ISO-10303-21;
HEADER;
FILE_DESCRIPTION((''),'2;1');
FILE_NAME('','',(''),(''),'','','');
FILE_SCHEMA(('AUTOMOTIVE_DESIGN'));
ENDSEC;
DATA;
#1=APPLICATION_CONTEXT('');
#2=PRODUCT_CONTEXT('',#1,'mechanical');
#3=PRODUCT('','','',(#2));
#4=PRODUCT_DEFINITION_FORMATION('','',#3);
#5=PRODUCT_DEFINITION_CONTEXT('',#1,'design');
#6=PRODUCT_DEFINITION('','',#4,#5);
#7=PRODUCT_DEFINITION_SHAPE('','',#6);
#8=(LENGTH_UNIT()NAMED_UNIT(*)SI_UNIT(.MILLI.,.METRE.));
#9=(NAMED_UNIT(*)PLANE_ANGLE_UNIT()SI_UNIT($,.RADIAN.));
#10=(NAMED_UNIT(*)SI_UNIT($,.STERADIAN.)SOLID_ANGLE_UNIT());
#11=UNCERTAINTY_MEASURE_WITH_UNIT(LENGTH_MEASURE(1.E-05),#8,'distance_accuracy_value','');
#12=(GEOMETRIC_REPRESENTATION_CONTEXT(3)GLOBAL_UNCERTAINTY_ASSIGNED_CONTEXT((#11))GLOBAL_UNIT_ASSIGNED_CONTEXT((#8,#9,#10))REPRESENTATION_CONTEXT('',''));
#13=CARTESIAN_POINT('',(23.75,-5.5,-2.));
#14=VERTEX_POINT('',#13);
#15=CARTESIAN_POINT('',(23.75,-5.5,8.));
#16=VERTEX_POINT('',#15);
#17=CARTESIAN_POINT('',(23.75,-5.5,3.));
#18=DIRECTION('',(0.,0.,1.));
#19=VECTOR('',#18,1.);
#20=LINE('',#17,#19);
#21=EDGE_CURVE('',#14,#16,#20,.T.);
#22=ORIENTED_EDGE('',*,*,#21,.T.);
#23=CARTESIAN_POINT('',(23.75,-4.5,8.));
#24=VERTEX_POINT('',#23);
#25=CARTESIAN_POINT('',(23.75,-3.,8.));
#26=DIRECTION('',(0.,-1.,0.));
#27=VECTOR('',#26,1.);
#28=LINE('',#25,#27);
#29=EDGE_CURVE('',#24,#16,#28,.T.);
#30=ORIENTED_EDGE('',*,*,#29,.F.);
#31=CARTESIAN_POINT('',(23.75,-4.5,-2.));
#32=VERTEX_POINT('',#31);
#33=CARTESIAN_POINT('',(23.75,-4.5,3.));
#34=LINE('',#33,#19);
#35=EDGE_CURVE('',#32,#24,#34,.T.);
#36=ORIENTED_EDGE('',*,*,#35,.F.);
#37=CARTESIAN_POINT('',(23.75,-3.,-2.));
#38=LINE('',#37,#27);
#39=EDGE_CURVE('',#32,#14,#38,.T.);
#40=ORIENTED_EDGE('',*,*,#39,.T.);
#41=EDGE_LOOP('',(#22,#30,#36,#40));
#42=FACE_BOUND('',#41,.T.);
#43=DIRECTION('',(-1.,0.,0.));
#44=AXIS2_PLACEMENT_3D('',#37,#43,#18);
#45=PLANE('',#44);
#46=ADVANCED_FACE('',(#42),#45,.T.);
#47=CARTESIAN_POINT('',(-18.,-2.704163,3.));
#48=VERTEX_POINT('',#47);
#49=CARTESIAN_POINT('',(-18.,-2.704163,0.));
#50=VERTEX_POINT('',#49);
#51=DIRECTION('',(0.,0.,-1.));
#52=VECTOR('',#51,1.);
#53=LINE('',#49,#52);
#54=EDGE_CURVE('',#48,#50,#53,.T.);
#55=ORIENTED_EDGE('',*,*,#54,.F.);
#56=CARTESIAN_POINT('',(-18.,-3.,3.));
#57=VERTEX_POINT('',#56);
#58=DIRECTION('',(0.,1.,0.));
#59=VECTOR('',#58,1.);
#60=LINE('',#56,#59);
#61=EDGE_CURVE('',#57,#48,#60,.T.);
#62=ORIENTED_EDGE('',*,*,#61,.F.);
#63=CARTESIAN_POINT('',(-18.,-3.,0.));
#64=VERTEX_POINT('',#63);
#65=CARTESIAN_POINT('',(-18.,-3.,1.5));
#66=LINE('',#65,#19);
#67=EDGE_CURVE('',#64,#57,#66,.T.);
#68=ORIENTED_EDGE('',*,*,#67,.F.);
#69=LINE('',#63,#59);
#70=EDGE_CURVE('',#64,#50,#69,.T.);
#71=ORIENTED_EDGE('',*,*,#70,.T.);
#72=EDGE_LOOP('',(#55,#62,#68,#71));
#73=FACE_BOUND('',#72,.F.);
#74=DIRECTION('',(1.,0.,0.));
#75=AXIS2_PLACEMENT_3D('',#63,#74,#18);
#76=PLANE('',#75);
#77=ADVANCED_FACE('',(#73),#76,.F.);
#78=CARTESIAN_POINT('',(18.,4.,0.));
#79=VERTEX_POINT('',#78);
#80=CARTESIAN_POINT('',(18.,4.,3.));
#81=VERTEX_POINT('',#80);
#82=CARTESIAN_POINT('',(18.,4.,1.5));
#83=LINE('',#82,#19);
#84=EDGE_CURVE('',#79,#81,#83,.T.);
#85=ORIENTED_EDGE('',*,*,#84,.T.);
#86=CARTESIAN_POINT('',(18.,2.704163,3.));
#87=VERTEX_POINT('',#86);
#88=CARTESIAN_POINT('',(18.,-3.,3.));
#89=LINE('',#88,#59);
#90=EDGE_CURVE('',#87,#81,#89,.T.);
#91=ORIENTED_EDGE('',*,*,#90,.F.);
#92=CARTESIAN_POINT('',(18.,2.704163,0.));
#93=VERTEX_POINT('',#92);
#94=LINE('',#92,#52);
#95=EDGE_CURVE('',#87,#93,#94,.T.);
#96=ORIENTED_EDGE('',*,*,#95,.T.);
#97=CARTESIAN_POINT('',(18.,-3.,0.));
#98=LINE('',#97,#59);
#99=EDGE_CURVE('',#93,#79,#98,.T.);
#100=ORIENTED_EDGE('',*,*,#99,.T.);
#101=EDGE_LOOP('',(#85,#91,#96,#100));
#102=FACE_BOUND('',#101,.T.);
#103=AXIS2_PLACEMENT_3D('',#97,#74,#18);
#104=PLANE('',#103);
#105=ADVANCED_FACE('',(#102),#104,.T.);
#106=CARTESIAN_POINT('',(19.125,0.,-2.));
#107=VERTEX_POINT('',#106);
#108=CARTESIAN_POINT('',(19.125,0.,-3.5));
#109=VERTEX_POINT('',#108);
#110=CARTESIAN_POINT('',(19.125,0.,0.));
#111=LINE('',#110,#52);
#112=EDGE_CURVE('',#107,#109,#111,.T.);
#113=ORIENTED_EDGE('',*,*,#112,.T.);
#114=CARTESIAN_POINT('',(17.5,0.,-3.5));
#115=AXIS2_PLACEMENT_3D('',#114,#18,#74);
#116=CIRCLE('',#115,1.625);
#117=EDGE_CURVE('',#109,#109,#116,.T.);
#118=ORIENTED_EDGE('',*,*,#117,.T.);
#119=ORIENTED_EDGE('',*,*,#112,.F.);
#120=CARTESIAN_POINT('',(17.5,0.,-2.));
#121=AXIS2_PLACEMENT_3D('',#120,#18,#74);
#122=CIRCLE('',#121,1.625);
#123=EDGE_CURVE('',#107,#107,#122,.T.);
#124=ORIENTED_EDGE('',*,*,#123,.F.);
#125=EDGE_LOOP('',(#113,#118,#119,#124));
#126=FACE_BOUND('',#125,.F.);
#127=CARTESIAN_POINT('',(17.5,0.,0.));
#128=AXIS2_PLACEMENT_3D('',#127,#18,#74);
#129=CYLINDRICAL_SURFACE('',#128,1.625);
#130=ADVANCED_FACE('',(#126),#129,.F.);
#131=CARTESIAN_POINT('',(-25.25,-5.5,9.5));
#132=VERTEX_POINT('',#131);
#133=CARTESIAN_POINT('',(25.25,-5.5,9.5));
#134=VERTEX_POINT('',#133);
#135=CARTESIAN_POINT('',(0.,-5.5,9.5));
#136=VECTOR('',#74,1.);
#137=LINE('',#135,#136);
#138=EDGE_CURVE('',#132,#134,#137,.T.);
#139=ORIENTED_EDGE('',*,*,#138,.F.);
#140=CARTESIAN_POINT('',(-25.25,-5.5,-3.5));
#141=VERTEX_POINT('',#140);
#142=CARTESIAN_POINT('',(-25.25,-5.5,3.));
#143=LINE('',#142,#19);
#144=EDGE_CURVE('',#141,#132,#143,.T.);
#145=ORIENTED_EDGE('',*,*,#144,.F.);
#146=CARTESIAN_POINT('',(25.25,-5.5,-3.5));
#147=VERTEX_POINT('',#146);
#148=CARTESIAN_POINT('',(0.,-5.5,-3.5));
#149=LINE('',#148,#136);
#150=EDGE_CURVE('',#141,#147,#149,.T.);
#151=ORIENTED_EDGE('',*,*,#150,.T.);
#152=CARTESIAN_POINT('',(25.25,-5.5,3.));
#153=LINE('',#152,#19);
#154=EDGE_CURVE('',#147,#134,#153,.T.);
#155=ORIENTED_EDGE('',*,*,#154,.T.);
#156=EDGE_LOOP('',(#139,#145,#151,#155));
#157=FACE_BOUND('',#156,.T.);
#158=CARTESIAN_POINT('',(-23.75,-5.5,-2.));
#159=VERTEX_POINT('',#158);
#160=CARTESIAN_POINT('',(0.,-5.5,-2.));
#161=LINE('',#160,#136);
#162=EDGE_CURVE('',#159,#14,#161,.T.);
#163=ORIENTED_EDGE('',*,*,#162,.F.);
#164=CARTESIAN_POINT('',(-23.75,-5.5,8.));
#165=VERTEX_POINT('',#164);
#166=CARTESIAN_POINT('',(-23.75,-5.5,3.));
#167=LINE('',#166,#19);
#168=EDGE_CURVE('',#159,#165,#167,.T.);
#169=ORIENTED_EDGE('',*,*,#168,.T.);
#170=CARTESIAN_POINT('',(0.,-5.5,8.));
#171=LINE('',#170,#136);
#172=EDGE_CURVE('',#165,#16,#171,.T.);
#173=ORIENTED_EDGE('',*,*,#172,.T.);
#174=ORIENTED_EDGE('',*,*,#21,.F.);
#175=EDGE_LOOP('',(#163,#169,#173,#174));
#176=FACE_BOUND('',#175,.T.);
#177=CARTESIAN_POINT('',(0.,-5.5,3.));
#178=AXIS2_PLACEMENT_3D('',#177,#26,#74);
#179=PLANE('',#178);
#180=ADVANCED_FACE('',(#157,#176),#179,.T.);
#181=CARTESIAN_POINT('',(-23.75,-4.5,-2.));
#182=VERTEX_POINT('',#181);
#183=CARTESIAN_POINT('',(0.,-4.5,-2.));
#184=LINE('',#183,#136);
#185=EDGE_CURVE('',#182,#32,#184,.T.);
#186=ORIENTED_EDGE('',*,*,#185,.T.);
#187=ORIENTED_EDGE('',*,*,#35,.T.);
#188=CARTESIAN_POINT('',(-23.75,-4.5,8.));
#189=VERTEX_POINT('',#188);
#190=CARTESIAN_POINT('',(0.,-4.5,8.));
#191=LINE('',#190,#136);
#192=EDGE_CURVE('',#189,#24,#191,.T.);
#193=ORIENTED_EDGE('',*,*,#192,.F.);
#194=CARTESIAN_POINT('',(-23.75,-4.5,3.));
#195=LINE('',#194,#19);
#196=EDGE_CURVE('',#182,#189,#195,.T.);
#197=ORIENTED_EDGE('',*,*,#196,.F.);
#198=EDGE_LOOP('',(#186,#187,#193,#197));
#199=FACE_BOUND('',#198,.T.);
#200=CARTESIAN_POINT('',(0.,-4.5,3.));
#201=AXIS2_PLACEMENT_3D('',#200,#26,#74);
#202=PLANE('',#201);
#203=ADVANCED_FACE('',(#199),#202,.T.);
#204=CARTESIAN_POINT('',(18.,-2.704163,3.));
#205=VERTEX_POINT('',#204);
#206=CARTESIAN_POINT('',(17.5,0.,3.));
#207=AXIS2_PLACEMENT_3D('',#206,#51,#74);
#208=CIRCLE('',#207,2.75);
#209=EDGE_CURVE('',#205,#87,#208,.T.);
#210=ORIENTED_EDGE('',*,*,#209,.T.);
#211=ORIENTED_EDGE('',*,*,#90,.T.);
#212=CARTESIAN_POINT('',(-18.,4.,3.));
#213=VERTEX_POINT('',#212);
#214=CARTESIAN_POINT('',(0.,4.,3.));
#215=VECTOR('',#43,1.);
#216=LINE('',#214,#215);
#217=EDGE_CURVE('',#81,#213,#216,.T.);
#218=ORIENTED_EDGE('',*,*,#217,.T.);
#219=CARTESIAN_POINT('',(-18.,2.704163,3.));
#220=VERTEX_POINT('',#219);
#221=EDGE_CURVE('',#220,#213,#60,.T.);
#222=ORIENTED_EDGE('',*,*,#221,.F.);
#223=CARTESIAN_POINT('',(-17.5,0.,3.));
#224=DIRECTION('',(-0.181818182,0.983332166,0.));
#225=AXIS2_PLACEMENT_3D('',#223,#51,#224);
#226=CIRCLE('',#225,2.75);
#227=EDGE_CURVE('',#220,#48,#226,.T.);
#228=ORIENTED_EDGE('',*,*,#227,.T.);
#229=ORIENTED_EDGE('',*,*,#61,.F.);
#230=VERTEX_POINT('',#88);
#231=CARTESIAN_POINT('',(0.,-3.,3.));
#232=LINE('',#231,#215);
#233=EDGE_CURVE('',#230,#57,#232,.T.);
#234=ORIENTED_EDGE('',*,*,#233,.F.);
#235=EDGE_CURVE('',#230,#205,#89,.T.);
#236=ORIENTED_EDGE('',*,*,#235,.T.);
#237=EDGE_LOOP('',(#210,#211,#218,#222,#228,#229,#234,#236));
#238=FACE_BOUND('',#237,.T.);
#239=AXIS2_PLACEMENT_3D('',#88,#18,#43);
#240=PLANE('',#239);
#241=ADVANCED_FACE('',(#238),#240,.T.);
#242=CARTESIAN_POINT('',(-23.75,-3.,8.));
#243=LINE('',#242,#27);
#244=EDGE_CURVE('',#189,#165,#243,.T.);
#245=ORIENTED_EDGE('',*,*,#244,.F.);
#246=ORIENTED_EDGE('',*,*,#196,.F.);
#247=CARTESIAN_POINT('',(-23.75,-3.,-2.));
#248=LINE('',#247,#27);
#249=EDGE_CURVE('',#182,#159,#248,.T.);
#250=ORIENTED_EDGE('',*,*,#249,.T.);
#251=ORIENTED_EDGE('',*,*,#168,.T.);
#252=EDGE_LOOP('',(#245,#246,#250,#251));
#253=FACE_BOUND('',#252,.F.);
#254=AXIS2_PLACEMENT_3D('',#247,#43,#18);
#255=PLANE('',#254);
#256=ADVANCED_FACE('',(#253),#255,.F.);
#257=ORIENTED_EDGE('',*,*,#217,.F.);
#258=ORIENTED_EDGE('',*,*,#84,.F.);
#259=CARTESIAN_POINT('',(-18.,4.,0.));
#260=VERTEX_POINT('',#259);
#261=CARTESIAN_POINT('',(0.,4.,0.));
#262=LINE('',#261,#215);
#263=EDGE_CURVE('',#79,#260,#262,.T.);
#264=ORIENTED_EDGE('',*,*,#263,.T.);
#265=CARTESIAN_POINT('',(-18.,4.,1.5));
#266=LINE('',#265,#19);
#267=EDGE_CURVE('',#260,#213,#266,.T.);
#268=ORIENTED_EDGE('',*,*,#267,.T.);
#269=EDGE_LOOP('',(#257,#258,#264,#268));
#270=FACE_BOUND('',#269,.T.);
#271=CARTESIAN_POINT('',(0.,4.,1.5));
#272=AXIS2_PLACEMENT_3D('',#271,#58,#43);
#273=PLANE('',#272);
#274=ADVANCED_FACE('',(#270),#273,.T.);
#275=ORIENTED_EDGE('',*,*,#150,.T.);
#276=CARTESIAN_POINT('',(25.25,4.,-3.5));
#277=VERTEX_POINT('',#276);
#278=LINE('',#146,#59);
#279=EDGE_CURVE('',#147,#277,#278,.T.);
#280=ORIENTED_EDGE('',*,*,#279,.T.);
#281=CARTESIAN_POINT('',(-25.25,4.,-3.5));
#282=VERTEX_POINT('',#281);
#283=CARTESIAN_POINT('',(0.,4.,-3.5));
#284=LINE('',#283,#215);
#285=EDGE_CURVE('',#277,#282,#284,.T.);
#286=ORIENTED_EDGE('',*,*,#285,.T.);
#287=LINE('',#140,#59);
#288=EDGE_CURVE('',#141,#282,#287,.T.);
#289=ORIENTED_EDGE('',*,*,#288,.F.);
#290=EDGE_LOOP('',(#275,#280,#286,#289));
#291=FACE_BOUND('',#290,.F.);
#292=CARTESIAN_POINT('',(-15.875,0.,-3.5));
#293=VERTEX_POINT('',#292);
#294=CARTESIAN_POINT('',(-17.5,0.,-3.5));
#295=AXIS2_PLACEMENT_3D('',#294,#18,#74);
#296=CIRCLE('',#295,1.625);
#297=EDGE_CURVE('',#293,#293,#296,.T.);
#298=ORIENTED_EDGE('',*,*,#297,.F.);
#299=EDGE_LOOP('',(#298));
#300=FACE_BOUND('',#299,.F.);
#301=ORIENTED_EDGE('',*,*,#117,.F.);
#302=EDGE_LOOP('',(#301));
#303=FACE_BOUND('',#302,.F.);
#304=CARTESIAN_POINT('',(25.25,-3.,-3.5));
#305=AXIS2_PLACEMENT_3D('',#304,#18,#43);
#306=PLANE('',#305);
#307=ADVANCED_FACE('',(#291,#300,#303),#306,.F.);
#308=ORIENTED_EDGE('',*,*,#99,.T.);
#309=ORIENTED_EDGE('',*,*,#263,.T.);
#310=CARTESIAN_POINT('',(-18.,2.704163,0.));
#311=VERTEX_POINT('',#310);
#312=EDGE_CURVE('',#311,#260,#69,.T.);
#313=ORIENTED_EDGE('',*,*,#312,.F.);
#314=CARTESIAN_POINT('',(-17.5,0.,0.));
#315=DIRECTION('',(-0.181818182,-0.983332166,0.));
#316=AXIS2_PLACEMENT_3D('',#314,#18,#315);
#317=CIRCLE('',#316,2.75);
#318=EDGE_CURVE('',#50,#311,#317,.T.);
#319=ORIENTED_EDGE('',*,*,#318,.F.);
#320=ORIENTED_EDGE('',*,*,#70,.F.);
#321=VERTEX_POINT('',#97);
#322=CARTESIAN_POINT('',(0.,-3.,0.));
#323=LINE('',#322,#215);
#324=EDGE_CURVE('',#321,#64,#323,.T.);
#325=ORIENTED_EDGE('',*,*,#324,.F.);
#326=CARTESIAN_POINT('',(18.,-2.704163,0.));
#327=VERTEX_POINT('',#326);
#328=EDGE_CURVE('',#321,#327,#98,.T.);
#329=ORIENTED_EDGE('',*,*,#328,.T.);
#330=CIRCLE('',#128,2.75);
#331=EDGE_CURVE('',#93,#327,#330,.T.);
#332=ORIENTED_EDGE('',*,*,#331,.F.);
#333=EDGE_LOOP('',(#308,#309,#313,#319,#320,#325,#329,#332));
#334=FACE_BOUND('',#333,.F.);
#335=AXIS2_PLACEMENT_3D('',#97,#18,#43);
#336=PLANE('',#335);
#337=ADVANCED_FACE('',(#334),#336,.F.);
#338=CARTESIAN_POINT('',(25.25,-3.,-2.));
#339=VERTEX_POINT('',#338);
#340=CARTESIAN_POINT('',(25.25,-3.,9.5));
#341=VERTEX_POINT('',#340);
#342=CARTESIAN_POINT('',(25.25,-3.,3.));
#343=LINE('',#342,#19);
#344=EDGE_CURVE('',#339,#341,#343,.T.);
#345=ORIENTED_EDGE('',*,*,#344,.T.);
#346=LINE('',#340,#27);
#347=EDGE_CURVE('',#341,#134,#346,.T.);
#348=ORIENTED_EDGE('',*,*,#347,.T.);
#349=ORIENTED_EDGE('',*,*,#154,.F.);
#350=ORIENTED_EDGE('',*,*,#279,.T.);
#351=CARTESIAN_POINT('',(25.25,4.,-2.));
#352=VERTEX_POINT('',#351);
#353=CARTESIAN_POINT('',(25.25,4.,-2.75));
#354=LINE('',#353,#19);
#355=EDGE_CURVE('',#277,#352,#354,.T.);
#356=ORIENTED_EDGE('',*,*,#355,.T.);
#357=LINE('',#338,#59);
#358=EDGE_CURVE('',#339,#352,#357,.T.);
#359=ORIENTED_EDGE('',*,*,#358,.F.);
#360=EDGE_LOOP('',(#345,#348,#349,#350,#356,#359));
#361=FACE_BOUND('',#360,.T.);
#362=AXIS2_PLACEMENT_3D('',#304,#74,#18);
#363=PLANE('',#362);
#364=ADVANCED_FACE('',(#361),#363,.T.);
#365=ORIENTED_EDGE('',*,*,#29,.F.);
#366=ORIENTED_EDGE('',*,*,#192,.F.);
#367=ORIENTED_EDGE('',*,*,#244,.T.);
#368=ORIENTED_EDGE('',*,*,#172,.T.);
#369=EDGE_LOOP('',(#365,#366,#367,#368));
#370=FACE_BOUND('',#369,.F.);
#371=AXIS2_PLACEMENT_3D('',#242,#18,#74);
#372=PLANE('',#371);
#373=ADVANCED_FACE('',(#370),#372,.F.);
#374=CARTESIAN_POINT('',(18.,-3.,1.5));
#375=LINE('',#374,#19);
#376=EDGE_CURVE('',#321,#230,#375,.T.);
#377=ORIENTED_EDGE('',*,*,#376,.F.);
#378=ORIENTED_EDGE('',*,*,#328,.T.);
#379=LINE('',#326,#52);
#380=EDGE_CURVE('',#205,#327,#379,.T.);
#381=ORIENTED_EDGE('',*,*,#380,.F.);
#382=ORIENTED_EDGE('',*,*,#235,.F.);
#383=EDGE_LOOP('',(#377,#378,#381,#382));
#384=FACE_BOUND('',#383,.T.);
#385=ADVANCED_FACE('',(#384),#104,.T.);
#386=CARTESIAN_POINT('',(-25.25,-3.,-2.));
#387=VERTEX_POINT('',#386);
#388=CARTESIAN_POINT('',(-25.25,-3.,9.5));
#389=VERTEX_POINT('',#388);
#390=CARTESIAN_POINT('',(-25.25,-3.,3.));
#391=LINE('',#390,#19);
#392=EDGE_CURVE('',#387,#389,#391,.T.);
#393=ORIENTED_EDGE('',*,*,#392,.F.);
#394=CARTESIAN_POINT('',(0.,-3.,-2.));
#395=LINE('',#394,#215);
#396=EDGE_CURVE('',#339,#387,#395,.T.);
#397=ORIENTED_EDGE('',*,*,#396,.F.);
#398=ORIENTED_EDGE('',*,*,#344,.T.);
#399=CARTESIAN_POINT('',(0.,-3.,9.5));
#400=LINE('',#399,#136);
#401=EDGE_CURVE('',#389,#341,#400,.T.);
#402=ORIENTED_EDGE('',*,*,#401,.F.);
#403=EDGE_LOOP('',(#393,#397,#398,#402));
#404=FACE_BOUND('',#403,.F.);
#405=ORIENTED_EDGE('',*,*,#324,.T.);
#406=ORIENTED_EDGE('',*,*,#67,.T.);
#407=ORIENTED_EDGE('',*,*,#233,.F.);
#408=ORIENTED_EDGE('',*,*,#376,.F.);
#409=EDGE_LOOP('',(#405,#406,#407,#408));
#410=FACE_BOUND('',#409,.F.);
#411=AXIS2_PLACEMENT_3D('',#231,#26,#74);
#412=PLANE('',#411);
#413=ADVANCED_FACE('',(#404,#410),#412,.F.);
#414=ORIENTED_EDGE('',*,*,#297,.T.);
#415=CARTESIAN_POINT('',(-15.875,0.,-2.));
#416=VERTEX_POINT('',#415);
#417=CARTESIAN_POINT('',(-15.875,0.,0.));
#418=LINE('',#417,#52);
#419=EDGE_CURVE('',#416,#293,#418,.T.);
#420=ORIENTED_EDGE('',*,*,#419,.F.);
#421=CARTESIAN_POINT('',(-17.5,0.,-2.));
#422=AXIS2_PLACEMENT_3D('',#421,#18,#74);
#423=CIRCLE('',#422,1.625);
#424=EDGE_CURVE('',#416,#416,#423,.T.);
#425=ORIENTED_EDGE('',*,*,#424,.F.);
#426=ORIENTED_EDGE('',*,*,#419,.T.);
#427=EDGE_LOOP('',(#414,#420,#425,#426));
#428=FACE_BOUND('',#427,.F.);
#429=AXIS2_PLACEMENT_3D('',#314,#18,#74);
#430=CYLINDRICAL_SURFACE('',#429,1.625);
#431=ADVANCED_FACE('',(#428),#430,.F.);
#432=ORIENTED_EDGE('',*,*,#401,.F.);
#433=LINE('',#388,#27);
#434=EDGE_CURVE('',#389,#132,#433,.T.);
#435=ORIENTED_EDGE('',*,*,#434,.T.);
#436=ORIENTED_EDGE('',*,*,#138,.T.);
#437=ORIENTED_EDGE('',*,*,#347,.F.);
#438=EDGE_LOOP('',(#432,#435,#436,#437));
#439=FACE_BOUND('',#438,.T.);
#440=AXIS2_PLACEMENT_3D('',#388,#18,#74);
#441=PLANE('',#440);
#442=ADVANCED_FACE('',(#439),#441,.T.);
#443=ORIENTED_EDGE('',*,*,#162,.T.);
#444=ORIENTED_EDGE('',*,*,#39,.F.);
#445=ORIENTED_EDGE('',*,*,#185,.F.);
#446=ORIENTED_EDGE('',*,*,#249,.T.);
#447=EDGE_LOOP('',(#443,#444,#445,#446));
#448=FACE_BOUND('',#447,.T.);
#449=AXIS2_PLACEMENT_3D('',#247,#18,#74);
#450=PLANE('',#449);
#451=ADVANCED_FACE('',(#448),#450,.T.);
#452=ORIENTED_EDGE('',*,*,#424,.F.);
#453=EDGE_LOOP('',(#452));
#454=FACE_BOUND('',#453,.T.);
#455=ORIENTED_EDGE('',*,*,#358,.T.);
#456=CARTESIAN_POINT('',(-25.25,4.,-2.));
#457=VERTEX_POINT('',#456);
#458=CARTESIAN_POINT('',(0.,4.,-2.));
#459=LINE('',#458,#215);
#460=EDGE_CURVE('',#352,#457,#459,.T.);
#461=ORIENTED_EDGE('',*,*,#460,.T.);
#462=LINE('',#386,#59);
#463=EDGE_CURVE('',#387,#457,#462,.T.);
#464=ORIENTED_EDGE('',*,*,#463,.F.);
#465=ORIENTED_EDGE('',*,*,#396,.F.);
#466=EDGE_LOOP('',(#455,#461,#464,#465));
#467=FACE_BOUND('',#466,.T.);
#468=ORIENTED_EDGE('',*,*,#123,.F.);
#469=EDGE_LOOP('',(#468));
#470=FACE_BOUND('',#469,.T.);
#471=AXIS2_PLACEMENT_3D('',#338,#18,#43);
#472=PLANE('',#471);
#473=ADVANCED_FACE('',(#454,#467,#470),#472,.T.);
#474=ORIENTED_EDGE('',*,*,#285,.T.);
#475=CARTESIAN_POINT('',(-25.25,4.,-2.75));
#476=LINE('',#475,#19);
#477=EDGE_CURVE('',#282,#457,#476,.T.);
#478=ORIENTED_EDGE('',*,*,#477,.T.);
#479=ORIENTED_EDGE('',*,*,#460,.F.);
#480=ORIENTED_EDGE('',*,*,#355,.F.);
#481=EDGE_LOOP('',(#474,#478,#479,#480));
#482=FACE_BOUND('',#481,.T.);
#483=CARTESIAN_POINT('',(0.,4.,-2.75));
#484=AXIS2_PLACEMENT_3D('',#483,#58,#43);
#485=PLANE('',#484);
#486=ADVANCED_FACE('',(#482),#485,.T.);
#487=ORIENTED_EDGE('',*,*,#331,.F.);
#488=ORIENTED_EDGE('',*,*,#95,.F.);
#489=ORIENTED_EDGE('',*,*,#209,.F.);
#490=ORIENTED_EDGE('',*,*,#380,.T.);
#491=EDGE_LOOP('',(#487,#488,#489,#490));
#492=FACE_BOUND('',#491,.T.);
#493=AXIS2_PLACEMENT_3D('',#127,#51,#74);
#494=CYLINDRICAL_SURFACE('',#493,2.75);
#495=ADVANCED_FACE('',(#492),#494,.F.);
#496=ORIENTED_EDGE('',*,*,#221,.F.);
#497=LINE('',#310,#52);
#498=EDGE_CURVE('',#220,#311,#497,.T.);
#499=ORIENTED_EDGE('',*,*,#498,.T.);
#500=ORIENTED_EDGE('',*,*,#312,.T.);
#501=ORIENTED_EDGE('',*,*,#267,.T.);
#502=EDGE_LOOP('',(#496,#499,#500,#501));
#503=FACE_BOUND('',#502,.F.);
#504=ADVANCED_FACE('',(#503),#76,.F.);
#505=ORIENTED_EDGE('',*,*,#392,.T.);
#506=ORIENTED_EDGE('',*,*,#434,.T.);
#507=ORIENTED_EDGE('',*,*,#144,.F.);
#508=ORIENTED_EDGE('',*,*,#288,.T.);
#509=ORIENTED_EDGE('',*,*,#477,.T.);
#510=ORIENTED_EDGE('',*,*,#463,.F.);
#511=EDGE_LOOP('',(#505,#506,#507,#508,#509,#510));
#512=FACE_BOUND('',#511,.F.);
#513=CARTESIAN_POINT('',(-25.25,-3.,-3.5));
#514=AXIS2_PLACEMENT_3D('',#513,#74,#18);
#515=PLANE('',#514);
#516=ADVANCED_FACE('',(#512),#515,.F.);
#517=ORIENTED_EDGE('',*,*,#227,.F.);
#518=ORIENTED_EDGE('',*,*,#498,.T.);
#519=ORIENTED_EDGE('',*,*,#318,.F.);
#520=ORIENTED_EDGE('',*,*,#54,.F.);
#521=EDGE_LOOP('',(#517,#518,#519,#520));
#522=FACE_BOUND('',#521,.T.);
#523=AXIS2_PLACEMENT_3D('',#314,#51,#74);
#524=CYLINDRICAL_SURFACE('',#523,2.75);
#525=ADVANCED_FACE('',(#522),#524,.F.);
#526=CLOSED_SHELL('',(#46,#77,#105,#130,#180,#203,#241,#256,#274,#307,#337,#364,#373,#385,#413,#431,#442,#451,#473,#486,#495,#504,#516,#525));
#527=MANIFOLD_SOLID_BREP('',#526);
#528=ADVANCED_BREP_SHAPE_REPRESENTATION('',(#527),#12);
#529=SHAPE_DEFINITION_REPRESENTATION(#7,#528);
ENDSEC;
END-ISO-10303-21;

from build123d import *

# Parameters (mm, degrees)
F2_W     = 50.5
F2_H     = 13
F2_W_2   = 47.5
F2_H_2   = 10
F3_DEPTH = 2.5
F4_DEPTH = 1.5
F5_W     = 36
F5_H     = 3
F5_W_2   = 50.5
F5_H_2   = 1.5
F6_DEPTH = 7
F0_R     = 2.75
F7_DEPTH = 25
F8_R     = 1.625
F9_DEPTH = 3.501


with BuildPart() as f3:
    # F2 (on offset) → F3 (new body)
    with BuildSketch(Plane.XZ.offset(3)):
        with Locations((0, 3)):
            Rectangle(F2_W, F2_H)
        with Locations((0, 3)):
            Rectangle(F2_W_2, F2_H_2, mode=Mode.SUBTRACT)
    extrude(amount=F3_DEPTH)

    # F2 (on offset) → F4 (join)
    with BuildSketch(Plane.XZ.offset(3)):
        with Locations((0, 3)):
            Rectangle(F2_W_2, F2_H_2)
    extrude(amount=F4_DEPTH)

    # F5 (on face) → F6 (join)
    with BuildSketch(Plane(origin=(0, -3, 0), x_dir=(-1, 0, 0), z_dir=(0, 1, 0))):
        with Locations((0, 1.5)):
            Rectangle(F5_W, F5_H)
        with Locations((0, -2.75)):
            Rectangle(F5_W_2, F5_H_2)
    extrude(amount=F6_DEPTH)

    # F0 (on Top) → F7 (cut)
    with BuildSketch(Plane.XY):
        with Locations((17.5, 0)):
            Circle(F0_R)
        with Locations((-17.5, 0)):
            Circle(F0_R)
    extrude(amount=F7_DEPTH, mode=Mode.SUBTRACT)

    # F8 (on Top) → F9 (cut, through all)
    with BuildSketch(Plane.XY):
        with Locations((-17.5, 0)):
            Circle(F8_R)
        with Locations((17.5, 0)):
            Circle(F8_R)
    extrude(amount=-F9_DEPTH, mode=Mode.SUBTRACT)


solid = f3.part
